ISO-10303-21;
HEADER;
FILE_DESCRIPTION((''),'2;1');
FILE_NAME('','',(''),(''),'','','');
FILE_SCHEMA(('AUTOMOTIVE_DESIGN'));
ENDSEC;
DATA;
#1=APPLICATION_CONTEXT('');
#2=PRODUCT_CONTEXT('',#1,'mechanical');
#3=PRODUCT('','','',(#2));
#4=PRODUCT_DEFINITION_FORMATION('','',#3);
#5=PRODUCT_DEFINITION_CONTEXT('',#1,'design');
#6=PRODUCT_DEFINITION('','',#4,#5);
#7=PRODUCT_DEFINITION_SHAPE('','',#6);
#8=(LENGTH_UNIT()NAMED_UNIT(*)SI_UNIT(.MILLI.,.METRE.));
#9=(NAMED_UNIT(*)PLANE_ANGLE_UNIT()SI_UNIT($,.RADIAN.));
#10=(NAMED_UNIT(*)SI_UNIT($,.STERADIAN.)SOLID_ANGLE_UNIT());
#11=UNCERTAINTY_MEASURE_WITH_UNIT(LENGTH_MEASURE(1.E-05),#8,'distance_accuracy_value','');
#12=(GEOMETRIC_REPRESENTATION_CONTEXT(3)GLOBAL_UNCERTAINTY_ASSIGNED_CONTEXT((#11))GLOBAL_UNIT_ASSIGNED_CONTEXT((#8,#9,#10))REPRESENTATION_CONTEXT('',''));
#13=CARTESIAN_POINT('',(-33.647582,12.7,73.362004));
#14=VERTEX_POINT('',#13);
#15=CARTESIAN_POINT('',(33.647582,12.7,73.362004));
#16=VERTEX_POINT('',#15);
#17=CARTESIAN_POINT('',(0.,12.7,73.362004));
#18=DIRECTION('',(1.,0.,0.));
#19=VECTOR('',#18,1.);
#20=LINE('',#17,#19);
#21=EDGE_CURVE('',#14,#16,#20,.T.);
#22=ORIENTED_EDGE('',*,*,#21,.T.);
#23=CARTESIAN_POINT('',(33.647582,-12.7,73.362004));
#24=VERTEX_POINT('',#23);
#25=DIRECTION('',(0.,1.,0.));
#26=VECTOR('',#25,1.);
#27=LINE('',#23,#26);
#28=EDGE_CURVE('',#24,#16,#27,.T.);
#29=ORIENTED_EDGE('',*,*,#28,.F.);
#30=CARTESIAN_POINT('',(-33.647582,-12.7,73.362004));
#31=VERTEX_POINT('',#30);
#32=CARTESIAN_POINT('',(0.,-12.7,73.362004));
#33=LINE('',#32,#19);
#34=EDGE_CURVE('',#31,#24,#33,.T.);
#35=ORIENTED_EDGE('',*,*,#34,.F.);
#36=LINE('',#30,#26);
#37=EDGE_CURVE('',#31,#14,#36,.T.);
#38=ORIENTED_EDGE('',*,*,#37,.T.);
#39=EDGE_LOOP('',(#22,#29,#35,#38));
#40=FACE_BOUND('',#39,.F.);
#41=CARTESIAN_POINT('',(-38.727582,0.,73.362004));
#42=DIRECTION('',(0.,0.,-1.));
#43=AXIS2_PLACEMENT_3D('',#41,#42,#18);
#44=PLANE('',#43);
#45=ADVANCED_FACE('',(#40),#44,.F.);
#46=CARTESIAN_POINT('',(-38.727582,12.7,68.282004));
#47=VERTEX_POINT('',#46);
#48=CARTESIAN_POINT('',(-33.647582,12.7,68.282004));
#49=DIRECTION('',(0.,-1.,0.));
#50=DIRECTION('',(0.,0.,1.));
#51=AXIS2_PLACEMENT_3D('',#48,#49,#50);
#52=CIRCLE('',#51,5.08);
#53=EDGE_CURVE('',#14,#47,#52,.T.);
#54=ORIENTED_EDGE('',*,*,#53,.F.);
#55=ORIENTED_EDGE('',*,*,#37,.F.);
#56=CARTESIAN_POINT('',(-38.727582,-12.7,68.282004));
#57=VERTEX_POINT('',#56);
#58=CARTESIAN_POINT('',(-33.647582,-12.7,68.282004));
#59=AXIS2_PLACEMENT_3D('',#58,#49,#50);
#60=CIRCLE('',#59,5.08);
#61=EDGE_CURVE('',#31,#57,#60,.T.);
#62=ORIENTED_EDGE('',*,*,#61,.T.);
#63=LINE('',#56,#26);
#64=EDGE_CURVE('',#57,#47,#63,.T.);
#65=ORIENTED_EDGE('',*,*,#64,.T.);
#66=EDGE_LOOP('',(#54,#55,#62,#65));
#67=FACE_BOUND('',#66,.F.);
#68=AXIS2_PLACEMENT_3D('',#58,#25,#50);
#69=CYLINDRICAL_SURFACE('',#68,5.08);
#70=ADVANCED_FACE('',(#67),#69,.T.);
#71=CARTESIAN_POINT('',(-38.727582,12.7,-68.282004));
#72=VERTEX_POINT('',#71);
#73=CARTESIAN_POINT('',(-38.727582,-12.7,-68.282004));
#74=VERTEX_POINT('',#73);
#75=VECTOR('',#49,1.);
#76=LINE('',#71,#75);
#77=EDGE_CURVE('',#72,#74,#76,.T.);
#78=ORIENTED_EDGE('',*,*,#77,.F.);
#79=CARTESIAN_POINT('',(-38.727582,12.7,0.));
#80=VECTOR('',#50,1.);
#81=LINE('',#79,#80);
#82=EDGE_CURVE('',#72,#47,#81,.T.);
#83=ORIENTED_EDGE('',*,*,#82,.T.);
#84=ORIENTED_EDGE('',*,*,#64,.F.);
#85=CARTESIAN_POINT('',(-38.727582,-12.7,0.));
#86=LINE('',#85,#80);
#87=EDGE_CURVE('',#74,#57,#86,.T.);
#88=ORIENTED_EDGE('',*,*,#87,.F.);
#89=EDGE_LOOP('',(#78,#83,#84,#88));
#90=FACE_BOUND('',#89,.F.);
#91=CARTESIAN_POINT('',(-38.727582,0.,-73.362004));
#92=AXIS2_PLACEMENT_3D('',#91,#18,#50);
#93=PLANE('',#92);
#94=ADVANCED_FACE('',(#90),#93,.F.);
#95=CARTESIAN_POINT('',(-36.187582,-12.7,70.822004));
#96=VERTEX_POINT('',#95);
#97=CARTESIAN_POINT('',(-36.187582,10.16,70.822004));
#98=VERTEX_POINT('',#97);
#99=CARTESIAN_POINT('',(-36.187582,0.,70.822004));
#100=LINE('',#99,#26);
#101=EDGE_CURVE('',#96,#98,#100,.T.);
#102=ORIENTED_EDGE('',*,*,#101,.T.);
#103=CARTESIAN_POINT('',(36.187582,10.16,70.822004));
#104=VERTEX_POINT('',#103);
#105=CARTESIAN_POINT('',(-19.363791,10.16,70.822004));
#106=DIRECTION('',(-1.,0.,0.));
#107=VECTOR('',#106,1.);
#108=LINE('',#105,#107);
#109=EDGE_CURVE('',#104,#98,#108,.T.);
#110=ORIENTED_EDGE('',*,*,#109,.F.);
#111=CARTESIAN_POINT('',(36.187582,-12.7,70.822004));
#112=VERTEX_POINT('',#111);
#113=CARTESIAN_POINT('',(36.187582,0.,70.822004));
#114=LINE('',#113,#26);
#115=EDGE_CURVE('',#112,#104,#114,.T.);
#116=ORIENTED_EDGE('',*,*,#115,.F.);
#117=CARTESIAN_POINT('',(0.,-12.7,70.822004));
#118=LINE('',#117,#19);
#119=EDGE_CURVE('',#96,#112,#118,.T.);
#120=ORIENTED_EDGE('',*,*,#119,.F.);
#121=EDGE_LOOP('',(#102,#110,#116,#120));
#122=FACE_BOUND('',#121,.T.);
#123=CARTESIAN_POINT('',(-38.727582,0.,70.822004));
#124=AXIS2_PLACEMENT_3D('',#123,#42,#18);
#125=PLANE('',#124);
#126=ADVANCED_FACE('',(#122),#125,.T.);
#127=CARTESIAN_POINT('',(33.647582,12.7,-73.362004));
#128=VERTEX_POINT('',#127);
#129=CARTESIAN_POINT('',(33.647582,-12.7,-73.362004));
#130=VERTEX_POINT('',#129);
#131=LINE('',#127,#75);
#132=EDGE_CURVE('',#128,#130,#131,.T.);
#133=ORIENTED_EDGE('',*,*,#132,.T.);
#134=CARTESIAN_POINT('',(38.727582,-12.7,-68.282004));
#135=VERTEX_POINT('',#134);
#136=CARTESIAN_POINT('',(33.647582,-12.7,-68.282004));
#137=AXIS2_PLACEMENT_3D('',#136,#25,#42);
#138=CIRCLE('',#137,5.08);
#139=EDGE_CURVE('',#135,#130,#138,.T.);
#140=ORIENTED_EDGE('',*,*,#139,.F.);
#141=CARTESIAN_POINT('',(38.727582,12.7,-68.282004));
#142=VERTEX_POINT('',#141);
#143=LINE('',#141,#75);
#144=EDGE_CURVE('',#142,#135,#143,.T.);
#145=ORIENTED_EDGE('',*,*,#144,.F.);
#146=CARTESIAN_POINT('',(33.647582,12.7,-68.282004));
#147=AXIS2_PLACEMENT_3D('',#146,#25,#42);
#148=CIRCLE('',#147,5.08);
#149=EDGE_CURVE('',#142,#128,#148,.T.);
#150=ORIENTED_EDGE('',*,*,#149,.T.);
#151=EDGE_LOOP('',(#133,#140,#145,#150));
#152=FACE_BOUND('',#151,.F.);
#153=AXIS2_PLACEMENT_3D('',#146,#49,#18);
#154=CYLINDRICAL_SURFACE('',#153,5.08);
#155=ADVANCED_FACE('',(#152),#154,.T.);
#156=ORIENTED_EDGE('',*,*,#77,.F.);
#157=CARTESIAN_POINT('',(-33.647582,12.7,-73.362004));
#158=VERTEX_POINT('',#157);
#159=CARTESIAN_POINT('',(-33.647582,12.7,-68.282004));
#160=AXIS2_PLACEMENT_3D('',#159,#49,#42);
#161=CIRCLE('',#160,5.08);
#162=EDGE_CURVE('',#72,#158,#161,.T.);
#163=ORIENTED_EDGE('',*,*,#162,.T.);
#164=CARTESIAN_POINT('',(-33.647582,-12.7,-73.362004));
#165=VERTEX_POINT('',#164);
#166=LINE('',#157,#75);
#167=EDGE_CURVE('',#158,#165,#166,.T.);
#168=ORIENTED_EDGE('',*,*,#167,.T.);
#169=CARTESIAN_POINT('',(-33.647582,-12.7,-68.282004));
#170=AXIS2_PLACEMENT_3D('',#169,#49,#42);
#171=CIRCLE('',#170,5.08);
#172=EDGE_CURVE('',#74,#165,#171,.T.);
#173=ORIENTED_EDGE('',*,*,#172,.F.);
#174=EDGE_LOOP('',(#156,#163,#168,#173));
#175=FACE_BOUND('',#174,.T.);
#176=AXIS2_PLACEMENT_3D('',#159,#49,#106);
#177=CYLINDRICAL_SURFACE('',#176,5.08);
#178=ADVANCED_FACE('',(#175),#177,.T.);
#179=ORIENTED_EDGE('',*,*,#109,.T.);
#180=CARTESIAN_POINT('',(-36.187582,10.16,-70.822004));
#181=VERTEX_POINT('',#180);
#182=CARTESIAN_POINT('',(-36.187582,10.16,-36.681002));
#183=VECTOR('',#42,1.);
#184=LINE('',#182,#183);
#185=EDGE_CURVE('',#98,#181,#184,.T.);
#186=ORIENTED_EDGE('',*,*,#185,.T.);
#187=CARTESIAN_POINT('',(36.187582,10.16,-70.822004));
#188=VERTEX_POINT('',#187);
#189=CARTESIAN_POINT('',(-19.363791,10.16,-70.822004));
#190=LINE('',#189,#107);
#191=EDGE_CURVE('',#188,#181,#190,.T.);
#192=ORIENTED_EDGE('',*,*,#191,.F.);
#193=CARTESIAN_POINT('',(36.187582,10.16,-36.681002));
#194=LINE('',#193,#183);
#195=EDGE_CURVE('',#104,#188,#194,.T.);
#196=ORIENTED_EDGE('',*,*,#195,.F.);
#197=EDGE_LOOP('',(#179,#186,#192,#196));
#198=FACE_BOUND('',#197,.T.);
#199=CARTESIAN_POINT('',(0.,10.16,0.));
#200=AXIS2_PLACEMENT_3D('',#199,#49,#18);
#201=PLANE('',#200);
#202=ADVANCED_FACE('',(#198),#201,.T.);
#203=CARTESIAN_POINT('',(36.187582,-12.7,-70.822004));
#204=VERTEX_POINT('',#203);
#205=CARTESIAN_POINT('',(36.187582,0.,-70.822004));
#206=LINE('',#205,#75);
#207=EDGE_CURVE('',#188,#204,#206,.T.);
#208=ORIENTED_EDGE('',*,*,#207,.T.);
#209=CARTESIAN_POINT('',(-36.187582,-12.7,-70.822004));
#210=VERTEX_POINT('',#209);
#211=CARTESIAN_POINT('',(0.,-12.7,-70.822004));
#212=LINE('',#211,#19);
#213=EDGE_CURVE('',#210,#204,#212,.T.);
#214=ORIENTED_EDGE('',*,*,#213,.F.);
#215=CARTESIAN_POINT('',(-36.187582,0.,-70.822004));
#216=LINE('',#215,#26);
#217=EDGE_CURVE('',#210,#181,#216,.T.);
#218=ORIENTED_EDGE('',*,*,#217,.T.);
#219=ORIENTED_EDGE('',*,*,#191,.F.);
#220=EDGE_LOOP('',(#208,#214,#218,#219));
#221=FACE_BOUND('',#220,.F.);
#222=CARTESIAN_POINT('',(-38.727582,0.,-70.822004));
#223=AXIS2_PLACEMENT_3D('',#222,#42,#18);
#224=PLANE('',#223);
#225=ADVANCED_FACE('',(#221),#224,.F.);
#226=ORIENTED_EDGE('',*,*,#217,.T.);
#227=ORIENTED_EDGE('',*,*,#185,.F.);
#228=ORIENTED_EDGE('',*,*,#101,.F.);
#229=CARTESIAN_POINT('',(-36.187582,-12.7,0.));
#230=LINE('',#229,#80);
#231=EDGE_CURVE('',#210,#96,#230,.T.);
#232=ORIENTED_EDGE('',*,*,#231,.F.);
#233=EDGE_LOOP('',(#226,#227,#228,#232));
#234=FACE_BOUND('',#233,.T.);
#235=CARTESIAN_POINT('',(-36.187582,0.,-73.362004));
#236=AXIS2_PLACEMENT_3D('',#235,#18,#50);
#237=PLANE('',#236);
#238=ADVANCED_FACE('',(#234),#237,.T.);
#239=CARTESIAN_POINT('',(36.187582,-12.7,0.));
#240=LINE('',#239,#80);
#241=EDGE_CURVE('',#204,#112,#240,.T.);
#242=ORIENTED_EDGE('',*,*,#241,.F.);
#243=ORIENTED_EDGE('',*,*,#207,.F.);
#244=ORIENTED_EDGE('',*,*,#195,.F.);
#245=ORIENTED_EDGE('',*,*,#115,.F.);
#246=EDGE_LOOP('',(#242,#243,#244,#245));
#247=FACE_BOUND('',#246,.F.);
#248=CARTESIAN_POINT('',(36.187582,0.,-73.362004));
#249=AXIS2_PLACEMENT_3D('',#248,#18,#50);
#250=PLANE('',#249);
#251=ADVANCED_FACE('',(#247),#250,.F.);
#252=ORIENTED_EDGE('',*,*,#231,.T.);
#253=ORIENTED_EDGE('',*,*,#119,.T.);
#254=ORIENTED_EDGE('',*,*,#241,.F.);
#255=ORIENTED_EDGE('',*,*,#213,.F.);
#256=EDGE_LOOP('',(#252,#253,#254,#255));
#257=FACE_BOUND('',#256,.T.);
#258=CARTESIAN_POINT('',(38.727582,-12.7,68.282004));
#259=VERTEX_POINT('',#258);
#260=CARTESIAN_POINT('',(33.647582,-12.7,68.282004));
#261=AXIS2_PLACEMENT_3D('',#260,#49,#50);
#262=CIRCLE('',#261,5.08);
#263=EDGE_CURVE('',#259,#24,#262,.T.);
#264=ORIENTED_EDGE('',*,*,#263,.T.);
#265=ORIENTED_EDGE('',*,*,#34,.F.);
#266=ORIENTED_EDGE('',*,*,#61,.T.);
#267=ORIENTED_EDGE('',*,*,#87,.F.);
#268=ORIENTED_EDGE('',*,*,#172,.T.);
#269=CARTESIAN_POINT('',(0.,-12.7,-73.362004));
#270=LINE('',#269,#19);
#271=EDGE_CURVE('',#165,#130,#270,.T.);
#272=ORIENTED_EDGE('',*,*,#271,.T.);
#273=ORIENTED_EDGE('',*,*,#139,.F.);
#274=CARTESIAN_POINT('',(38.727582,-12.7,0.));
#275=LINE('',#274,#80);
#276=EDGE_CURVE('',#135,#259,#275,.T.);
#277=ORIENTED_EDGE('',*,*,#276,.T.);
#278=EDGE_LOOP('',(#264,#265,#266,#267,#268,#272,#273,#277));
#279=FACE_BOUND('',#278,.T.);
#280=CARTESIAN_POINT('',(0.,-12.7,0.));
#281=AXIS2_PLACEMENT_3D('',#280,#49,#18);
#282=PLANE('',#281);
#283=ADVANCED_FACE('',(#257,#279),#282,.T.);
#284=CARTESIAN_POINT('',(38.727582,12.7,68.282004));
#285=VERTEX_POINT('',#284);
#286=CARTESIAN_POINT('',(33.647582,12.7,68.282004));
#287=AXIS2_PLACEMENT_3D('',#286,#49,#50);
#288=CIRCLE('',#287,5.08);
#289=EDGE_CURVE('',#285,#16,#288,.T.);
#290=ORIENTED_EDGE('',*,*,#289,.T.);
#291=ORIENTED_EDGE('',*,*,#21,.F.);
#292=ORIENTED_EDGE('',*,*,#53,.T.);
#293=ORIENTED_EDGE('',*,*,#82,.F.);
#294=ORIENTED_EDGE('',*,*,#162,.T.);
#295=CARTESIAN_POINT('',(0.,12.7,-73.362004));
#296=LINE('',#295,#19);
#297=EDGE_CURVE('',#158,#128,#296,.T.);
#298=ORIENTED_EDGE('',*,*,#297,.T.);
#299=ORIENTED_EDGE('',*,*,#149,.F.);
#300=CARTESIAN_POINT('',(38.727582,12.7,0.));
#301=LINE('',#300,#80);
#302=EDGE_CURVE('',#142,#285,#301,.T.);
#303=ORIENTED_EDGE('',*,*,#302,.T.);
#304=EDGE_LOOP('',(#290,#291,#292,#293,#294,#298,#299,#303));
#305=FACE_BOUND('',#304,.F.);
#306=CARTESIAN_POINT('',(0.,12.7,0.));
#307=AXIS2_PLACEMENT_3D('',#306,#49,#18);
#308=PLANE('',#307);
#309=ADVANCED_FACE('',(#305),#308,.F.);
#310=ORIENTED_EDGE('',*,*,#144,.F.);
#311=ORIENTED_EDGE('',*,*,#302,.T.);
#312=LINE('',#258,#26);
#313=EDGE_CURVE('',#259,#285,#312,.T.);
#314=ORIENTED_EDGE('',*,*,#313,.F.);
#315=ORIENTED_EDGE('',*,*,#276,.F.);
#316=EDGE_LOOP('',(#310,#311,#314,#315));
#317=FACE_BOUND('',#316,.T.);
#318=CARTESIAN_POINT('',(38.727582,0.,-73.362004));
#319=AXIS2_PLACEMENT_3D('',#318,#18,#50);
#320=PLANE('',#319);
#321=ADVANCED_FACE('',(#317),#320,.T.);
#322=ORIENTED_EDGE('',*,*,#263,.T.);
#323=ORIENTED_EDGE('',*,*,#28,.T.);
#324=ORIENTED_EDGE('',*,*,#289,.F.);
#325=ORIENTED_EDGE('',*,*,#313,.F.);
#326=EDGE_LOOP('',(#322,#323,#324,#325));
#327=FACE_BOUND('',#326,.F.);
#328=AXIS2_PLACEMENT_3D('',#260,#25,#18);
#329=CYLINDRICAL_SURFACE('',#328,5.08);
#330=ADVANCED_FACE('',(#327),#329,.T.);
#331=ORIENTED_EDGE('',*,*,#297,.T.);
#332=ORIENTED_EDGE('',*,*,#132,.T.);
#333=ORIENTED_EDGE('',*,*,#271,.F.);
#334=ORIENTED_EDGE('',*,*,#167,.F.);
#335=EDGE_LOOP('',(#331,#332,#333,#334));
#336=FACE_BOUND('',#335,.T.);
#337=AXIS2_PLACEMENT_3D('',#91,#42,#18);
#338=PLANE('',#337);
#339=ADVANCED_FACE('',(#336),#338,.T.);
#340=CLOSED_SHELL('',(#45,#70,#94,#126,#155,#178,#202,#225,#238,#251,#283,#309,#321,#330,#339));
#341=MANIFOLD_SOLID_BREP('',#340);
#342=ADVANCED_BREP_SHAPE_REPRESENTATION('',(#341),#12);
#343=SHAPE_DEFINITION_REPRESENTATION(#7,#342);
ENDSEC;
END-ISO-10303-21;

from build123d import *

# Parameters (mm, degrees)
F0_W     = 77.455164
F0_H     = 146.724008
F1_DEPTH = 12.7
F2_T     = -2.54
F3_R     = 5.08


with BuildPart() as f1:
    # F0 (on Front) → F1 (new body, symmetric)
    with BuildSketch(Plane.XZ):
        Rectangle(F0_W, F0_H)
    extrude(amount=F1_DEPTH, both=True)

    # F2
    f2_openings = [f1.faces().sort_by_distance(p)[0] for p in [
        (0, -12.7, 0),
    ]]
    offset(amount=F2_T, openings=f2_openings)

    # F3
    f3_edges = [f1.edges().sort_by_distance(p)[0] for p in [
        (38.727582, 0, 73.362004),
        (38.727582, 0, -73.362004),
        (-38.727582, 0, 73.362004),
        (-38.727582, 0, -73.362004),
    ]]
    fillet(f3_edges, radius=F3_R)


solid = f1.part
